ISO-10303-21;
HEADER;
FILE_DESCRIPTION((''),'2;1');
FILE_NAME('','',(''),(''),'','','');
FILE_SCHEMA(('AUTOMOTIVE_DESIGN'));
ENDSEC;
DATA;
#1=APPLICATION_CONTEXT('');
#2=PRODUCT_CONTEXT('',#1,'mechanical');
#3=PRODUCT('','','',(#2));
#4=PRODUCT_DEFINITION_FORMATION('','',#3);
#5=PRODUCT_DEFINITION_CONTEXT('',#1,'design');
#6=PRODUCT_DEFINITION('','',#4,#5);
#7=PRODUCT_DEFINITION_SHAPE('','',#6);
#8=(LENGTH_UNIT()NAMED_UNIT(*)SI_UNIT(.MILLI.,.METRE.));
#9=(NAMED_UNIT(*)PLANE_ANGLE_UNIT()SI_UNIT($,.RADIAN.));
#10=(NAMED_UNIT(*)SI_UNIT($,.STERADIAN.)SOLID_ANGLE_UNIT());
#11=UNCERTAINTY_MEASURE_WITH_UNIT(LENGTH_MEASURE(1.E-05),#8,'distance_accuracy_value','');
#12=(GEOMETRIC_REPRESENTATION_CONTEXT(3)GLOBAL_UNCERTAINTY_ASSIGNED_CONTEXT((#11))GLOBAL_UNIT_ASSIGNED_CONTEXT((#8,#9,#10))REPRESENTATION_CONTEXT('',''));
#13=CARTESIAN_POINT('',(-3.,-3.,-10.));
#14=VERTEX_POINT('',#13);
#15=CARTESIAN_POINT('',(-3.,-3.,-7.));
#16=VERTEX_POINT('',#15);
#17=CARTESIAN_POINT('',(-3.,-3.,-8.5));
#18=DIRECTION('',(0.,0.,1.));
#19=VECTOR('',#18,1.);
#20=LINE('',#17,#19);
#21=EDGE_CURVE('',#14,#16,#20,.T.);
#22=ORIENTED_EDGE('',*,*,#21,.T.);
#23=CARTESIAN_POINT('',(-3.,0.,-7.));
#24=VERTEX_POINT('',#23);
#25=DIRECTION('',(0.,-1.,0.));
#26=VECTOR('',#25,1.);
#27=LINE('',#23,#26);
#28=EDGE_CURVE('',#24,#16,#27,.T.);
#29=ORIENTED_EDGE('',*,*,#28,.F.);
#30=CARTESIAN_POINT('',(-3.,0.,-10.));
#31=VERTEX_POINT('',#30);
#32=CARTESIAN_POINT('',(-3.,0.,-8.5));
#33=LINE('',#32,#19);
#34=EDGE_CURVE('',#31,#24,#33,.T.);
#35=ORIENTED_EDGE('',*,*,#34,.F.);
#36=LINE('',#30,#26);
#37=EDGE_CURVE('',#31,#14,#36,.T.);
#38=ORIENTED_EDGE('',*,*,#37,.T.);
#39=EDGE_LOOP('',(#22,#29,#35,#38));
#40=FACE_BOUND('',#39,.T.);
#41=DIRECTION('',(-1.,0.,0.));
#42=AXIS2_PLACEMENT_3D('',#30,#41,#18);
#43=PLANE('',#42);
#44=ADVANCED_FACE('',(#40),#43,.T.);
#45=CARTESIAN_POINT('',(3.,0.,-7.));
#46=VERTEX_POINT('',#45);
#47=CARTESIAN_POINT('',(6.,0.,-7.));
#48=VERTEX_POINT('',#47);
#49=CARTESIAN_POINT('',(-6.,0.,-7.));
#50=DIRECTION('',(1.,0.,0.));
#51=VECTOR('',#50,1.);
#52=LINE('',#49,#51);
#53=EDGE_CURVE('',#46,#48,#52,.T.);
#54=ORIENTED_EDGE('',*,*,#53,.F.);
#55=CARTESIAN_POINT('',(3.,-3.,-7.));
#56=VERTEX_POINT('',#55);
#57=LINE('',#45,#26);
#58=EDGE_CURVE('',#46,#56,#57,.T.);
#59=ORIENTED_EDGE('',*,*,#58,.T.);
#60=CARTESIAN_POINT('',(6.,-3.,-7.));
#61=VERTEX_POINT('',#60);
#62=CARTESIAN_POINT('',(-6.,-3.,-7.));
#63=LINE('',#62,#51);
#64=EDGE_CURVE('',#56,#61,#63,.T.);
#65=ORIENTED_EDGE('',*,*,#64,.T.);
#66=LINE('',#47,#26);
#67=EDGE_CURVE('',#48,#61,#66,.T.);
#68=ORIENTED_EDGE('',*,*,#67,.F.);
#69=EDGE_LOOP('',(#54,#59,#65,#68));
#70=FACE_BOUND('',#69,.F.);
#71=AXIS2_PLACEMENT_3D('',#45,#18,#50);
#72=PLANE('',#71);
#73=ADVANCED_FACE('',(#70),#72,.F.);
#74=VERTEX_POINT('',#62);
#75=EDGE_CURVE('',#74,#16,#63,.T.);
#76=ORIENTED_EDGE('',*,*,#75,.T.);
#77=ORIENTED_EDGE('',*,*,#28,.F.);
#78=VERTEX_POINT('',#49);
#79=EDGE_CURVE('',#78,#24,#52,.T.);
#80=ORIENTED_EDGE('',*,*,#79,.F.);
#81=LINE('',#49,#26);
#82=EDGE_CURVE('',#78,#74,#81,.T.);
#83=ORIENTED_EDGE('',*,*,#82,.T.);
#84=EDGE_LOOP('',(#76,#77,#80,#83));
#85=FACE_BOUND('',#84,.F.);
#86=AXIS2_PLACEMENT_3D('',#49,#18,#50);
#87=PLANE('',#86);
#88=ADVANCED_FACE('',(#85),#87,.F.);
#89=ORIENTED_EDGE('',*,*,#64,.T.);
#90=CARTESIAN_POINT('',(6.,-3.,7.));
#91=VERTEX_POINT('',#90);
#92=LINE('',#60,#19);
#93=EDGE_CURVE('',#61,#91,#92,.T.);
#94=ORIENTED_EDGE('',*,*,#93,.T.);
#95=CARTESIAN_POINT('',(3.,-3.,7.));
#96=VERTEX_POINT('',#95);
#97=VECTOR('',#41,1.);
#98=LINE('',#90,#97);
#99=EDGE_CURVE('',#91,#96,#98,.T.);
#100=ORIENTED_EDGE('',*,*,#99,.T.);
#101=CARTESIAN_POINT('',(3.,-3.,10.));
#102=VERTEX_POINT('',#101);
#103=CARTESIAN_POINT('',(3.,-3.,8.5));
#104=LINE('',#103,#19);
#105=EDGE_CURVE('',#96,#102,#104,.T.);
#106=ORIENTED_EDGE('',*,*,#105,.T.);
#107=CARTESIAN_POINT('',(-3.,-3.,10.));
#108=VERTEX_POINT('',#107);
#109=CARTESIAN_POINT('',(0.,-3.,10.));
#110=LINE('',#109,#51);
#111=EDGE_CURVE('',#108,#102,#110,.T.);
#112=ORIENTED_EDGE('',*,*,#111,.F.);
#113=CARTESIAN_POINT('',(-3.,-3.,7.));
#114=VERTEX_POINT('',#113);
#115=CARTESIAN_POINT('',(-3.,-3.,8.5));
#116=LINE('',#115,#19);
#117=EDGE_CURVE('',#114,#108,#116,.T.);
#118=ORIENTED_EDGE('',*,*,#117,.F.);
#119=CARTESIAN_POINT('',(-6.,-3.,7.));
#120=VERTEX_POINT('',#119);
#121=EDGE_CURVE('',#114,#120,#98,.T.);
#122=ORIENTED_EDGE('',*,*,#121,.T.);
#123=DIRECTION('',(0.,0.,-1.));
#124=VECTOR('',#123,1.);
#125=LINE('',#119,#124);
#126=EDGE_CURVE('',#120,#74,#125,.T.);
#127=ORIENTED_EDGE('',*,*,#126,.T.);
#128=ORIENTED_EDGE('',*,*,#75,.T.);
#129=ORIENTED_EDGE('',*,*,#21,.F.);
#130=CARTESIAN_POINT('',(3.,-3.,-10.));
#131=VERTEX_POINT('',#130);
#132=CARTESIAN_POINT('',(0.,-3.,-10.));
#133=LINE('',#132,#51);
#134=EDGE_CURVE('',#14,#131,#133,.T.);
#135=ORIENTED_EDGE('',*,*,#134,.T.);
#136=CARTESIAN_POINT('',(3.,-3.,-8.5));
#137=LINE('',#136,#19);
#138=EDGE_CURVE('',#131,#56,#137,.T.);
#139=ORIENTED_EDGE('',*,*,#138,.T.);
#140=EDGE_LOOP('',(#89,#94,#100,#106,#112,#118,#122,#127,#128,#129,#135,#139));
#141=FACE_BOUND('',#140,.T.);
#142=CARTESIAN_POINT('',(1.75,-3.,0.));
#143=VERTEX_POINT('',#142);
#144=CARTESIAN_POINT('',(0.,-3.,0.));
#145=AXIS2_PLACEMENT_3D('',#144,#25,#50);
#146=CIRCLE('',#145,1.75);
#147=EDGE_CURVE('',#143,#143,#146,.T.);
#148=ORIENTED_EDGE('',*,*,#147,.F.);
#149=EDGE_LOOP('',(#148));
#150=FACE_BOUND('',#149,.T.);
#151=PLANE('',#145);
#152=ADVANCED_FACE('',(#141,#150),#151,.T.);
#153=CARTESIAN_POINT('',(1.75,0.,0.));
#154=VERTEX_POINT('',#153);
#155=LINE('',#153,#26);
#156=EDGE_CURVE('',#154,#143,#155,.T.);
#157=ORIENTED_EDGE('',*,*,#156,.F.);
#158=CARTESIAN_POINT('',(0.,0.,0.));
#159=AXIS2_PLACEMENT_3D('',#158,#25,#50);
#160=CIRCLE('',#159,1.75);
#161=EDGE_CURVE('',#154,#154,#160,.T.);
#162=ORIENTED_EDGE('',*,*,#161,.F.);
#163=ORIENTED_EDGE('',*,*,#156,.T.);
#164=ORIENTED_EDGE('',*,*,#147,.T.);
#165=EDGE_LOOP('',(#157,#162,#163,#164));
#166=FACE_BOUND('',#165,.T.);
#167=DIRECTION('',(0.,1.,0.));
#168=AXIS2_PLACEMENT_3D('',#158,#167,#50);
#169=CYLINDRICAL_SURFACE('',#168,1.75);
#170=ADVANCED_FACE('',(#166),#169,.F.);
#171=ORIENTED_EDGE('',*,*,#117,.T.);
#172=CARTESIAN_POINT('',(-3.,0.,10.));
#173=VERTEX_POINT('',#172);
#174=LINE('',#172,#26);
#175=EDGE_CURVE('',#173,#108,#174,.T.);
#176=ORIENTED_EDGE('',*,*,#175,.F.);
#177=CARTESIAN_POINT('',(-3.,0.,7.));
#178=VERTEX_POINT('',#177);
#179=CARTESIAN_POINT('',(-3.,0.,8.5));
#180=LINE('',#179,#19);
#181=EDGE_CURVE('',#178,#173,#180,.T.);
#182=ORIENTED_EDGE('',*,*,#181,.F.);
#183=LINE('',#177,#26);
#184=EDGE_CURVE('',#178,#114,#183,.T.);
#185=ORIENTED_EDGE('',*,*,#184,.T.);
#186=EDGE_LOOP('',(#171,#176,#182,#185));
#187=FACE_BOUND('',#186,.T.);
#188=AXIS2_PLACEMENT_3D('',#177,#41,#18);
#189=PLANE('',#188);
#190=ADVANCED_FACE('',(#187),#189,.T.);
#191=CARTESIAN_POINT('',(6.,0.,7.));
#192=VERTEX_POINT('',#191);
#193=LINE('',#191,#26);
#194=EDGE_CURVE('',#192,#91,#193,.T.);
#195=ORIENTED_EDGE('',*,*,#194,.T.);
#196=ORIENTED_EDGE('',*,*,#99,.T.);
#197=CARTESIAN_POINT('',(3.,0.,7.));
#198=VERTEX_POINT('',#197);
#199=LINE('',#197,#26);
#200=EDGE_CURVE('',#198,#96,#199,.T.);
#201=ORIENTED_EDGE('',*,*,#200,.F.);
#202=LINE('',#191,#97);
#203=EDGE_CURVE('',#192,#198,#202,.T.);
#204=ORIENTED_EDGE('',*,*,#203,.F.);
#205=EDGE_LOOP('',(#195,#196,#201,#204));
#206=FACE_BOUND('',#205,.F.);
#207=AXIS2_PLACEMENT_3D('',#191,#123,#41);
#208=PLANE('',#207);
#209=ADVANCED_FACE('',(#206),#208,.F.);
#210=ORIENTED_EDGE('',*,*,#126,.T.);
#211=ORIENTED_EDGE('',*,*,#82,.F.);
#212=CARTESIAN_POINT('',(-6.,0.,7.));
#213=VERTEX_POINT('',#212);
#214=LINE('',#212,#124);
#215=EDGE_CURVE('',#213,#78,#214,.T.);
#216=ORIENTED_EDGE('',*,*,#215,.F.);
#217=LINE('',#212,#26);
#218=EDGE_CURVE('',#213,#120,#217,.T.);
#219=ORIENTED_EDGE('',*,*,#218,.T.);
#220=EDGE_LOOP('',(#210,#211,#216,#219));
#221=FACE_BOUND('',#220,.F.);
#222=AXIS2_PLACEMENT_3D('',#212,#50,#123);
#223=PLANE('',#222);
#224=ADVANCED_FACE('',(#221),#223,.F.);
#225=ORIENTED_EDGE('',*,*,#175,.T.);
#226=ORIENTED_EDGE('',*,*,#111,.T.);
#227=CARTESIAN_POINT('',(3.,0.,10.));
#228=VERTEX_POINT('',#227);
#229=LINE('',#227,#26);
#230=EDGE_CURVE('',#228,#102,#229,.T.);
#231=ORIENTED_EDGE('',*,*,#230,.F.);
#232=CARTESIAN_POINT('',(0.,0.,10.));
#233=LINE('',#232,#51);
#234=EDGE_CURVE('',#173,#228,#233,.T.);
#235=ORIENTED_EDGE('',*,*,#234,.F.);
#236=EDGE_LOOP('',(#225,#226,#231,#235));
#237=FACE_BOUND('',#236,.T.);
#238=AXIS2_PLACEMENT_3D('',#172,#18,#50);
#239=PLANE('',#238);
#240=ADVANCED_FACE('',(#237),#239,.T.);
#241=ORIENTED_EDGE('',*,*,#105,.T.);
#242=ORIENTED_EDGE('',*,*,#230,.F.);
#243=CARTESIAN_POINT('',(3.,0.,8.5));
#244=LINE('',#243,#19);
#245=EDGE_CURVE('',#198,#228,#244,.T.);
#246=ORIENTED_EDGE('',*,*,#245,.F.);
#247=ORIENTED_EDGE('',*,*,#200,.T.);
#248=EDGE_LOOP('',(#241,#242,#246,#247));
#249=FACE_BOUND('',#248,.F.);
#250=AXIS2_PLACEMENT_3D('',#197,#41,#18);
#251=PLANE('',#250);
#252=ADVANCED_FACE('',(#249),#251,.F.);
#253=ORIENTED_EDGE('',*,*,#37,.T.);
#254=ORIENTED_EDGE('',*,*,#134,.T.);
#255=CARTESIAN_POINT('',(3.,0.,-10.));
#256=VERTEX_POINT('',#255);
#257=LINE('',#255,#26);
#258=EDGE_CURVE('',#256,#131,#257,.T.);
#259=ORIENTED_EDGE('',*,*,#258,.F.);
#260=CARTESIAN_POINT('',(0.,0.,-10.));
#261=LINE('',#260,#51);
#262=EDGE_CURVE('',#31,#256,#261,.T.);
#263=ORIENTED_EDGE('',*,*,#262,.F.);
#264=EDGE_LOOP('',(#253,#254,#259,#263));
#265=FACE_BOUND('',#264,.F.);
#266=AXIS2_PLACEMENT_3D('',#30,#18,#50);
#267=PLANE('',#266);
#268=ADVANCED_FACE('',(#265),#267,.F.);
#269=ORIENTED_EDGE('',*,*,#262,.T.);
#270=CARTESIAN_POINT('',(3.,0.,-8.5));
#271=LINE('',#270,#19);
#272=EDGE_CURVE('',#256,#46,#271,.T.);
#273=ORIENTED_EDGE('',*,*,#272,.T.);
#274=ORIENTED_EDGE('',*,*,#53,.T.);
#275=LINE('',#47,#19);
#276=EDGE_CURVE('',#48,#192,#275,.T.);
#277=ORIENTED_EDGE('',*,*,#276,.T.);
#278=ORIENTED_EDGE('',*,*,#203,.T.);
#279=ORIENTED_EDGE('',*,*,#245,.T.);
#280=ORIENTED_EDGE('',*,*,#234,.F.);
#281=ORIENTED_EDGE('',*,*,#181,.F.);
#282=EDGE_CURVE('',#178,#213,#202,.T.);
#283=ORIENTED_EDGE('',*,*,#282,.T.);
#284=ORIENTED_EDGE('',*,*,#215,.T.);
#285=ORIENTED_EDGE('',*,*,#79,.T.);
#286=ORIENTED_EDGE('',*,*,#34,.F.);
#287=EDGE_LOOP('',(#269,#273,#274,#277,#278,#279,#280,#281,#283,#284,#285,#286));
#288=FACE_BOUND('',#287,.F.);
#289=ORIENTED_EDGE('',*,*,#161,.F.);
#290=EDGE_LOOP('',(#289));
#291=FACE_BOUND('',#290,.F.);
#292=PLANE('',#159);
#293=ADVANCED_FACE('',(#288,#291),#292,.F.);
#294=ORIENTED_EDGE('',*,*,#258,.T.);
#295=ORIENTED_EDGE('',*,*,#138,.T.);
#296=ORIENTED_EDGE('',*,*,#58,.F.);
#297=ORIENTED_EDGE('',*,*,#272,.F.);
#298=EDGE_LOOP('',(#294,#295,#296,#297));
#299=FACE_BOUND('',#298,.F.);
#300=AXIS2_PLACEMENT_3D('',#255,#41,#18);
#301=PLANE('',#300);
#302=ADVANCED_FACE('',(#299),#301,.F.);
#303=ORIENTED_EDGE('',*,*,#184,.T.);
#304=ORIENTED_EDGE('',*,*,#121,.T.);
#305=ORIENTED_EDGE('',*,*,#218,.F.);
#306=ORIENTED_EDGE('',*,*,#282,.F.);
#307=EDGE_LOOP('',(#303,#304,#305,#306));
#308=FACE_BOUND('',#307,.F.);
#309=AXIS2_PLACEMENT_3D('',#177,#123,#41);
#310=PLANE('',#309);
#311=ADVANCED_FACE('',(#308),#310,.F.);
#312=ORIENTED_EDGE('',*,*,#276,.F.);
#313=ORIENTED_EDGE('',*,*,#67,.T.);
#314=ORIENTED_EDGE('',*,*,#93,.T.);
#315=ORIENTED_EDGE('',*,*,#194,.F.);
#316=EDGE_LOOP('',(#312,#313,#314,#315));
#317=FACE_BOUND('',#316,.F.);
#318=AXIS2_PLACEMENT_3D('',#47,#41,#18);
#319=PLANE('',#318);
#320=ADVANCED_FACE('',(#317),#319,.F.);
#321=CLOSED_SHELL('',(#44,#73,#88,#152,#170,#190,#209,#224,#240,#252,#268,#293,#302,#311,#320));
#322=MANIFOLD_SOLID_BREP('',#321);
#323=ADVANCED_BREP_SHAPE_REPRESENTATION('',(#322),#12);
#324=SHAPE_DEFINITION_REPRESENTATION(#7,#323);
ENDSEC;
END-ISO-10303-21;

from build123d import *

# Parameters (mm, degrees)
F0_R     = 1.75
F0_W     = 6
F0_H     = 3
F1_DEPTH = 3


with BuildPart() as f1:
    # F0 (on Front) → F1 (new body)
    with BuildSketch(Plane.XZ):
        Polygon((6, -7), (6, 7), (3, 7), (-3, 7), (-6, 7), (-6, -7), (-3, -7), (3, -7), align=None)
        Circle(F0_R, mode=Mode.SUBTRACT)
        with Locations((0, 8.5)):
            Rectangle(F0_W, F0_H)
        with Locations((0, -8.5)):
            Rectangle(F0_W, F0_H)
    extrude(amount=F1_DEPTH)


solid = f1.part
